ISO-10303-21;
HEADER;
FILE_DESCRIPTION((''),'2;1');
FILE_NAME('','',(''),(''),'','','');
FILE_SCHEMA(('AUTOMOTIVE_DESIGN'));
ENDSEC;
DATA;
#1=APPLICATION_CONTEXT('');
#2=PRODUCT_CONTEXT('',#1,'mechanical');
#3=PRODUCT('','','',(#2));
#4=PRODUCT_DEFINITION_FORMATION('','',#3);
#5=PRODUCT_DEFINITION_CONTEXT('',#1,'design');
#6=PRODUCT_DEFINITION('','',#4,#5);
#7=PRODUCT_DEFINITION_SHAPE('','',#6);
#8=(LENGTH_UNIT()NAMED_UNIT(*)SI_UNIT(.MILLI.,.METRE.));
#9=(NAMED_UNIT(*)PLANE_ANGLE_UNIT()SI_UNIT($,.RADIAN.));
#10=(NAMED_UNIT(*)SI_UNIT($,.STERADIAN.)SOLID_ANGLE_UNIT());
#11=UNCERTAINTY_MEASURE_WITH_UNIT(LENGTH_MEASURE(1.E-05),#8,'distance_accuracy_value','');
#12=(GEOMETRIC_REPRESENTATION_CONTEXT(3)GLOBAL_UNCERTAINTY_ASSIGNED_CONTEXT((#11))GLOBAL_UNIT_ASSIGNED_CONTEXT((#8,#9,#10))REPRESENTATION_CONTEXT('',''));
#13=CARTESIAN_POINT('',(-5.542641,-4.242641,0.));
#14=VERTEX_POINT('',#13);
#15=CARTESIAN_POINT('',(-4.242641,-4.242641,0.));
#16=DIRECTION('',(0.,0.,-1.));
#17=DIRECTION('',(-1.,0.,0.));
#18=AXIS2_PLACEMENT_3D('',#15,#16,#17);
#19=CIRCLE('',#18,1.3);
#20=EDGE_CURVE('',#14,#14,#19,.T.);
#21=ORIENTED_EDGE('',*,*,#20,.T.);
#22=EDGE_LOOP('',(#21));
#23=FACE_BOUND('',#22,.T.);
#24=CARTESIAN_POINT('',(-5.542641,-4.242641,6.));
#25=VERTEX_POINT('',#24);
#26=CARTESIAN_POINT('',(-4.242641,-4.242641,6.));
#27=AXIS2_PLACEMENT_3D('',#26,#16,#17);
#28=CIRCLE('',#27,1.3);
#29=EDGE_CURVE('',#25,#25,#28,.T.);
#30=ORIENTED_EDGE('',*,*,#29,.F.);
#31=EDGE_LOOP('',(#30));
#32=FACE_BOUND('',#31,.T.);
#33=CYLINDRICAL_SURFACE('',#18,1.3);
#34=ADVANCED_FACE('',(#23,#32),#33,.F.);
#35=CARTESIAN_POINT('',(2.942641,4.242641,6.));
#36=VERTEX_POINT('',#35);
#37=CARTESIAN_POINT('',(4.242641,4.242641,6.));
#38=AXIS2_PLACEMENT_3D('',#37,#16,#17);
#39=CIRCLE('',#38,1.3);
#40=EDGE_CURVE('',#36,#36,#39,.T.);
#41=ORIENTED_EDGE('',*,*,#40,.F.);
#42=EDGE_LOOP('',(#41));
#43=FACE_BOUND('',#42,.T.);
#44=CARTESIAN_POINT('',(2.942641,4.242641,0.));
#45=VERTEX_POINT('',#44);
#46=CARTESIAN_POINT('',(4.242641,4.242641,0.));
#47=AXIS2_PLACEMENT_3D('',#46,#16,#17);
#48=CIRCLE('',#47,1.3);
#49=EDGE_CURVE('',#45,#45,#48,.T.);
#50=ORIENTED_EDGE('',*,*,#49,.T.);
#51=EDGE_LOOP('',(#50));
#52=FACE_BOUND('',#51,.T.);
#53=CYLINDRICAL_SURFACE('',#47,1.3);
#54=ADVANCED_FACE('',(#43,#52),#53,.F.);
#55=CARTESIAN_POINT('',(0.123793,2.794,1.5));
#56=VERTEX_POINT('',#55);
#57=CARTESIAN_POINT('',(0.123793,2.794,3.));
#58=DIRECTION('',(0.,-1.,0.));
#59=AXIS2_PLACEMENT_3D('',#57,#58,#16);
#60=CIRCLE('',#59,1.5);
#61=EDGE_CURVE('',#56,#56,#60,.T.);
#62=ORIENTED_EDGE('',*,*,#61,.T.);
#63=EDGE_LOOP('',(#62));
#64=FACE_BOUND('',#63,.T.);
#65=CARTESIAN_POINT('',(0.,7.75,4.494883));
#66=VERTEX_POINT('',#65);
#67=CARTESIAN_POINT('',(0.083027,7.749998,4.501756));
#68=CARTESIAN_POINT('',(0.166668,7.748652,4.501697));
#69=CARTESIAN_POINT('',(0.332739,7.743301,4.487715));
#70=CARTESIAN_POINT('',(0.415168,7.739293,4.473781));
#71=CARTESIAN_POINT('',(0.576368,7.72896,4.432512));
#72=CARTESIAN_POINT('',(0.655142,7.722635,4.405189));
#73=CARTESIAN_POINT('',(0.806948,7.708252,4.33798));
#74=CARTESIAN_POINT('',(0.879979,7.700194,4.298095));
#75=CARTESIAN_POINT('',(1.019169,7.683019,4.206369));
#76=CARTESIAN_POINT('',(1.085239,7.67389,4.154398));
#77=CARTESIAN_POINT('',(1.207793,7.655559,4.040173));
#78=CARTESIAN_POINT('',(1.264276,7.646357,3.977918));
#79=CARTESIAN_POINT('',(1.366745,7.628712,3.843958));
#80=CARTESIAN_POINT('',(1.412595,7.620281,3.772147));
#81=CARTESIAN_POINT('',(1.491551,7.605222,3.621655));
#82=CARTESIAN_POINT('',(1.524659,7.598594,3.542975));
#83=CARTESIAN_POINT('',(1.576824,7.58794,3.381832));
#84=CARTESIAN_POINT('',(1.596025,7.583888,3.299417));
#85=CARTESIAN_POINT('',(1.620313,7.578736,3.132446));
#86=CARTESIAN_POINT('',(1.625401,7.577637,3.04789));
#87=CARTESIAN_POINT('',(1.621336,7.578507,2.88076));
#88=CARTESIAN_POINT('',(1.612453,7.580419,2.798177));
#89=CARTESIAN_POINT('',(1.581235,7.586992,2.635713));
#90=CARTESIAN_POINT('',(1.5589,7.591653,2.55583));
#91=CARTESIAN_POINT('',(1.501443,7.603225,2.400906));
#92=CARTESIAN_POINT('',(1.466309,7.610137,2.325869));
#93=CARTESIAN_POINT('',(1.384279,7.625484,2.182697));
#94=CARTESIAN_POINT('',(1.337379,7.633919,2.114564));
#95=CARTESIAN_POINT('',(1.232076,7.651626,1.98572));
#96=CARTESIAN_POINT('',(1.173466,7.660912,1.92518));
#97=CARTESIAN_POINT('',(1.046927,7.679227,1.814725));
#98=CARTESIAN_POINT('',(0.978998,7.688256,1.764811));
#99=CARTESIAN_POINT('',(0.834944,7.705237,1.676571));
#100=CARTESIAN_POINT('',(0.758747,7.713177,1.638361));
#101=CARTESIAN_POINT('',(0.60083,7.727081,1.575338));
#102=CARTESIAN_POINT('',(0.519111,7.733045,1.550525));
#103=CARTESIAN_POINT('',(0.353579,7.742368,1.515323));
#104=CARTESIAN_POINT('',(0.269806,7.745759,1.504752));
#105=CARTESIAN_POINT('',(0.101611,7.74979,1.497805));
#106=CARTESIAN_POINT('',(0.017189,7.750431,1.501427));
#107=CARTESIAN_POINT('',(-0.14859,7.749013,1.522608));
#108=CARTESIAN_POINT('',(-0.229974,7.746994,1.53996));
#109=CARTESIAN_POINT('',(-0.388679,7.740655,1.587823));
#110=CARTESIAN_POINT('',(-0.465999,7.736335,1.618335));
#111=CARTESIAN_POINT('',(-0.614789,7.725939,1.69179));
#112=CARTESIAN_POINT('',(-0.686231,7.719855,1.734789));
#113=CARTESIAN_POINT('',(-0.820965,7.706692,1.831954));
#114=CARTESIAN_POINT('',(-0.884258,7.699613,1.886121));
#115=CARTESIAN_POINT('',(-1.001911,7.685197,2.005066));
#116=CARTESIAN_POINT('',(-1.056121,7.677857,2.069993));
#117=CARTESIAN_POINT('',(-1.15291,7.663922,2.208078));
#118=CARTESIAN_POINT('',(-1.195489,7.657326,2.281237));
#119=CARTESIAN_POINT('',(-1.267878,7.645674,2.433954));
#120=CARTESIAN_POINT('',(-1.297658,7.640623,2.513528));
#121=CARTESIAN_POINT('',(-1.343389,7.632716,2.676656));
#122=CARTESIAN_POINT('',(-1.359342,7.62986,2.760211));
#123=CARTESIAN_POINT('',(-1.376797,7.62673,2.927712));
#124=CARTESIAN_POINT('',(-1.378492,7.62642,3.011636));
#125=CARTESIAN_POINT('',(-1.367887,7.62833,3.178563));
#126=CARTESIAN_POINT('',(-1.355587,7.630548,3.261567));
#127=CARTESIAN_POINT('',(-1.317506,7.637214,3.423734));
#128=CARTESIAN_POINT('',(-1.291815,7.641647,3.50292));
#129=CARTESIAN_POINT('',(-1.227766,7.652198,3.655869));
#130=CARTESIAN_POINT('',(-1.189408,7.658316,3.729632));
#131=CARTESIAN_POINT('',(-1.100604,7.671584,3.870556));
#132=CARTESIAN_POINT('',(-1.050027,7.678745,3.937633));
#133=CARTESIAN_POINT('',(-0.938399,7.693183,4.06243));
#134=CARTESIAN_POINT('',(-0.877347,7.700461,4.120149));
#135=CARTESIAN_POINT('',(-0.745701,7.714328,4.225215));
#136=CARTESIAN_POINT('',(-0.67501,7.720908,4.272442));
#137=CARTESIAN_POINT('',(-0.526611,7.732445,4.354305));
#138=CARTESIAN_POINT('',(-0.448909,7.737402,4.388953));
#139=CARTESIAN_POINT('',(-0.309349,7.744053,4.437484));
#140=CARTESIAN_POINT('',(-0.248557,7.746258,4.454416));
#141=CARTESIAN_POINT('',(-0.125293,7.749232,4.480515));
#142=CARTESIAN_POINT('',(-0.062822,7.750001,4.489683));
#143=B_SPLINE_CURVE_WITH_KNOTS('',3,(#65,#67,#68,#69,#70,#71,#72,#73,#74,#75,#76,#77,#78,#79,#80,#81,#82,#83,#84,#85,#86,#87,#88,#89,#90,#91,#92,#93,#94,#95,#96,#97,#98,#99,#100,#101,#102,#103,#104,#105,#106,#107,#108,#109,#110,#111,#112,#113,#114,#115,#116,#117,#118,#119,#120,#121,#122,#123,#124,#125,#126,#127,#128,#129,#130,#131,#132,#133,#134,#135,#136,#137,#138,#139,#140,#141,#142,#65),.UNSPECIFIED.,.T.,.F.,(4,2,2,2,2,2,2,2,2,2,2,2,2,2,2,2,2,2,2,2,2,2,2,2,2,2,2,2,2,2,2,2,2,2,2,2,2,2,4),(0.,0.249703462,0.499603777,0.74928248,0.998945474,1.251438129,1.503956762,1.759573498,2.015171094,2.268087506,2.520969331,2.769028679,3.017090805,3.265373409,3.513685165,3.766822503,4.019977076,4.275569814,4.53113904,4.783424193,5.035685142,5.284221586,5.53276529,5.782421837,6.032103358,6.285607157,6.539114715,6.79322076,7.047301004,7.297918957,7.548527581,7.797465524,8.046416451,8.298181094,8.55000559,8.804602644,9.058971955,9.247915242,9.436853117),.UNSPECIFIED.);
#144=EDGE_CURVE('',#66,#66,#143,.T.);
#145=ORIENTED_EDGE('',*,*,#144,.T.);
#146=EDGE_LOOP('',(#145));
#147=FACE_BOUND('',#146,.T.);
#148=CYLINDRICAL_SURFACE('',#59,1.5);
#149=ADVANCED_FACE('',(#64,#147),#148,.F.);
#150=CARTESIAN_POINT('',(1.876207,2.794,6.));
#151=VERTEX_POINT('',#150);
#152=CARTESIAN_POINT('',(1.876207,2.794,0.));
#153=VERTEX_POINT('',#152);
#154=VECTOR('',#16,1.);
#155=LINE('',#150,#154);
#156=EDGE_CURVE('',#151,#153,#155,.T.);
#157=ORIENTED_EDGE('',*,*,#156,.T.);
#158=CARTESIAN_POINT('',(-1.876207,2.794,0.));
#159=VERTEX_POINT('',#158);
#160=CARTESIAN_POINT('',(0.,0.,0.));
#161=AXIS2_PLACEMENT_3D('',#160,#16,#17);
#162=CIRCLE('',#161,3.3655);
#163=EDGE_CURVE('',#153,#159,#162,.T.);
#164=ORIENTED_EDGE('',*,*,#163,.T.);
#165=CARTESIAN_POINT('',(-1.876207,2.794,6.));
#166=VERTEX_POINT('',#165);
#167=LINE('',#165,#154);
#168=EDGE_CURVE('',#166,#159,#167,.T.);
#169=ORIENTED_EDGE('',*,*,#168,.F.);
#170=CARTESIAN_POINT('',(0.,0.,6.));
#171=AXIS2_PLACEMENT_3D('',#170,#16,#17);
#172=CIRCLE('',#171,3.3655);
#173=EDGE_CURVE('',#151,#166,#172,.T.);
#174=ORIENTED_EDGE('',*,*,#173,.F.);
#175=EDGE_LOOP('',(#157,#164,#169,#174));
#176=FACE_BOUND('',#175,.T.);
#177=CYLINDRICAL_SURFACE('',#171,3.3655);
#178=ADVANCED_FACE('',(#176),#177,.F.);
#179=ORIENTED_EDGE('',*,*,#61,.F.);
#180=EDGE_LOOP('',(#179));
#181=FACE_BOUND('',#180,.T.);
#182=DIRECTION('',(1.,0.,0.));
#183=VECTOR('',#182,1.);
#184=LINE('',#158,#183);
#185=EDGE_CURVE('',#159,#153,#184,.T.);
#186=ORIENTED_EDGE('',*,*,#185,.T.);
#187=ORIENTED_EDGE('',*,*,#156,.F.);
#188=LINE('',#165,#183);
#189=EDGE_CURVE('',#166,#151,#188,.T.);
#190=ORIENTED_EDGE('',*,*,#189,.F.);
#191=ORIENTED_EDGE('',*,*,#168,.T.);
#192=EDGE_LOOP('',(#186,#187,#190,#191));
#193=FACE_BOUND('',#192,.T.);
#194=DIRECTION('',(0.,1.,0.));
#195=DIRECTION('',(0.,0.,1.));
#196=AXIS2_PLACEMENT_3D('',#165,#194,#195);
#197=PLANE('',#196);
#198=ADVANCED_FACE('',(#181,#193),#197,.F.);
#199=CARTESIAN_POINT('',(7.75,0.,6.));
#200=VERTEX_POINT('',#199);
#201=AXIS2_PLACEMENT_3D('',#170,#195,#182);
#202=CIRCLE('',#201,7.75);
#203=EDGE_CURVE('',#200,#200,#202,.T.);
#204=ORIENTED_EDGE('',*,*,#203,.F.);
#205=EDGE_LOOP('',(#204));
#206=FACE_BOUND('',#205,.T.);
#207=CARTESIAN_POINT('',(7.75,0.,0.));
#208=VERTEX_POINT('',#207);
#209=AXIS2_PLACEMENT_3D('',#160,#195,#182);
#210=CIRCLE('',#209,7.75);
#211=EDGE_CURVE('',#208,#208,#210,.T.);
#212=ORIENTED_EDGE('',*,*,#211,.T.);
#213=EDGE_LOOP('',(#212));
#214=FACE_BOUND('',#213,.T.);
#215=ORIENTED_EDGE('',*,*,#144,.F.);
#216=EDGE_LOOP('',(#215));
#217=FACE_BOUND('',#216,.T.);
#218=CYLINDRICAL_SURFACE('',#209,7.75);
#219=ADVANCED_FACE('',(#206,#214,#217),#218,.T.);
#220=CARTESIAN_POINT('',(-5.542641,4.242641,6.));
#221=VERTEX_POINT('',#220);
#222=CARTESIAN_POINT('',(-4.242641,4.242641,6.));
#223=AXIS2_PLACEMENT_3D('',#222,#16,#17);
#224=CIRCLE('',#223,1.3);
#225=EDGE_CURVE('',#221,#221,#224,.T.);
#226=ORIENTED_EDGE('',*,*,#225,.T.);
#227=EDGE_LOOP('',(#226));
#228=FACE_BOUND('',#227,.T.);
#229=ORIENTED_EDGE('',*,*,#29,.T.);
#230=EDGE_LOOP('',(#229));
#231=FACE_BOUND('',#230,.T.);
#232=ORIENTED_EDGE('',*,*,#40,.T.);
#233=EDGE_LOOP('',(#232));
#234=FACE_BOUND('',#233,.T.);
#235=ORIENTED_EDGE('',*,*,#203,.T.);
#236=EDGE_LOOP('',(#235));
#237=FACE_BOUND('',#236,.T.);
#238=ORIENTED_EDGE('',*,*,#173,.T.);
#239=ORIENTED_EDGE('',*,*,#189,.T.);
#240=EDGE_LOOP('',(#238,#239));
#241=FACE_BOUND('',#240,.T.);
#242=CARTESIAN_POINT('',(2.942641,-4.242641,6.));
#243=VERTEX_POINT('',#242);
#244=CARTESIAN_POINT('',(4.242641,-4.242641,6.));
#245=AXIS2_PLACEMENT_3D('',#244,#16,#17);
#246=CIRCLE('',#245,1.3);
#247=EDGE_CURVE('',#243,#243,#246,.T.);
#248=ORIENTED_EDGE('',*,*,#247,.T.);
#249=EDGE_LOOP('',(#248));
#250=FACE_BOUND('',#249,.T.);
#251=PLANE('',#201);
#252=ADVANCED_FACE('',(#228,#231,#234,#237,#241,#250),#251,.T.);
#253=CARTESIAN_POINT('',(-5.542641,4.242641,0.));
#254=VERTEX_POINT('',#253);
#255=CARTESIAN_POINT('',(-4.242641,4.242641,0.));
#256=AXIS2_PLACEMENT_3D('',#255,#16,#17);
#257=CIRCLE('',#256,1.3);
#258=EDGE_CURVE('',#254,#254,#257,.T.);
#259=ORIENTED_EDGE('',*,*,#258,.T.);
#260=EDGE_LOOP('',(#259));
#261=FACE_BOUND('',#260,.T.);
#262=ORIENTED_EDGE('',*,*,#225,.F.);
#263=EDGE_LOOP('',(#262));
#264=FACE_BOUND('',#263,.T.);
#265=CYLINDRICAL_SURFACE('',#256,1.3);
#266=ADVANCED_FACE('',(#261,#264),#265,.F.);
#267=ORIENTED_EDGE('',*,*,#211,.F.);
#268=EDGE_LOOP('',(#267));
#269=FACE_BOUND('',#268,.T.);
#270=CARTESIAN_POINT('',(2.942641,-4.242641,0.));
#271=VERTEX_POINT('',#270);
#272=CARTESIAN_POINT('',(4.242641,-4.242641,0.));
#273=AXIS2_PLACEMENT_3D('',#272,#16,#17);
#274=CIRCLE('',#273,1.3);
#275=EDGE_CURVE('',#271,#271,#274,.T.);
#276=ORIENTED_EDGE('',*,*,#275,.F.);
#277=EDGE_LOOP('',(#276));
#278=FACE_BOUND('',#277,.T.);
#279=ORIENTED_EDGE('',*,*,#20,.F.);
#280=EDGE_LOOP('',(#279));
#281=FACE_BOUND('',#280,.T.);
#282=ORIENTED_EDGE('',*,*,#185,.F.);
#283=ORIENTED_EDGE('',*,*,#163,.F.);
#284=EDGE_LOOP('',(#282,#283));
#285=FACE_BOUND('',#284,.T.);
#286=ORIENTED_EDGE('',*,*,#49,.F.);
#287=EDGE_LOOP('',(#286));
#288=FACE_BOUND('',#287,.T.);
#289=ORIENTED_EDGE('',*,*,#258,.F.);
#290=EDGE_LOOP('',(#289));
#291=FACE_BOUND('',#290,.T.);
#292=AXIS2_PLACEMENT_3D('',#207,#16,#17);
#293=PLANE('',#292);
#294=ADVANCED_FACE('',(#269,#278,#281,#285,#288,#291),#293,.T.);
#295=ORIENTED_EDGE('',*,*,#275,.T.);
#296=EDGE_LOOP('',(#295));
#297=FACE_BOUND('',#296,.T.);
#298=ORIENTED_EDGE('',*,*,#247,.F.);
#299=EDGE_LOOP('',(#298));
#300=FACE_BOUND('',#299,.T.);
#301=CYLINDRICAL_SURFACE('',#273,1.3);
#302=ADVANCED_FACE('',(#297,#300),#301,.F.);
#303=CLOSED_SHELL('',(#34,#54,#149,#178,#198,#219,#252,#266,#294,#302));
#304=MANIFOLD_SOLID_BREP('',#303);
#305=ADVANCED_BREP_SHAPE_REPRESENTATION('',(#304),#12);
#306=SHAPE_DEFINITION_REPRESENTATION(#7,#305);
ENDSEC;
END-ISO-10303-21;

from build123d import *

# Parameters (mm, degrees)
SKETCH1_W                    = 7.75
SKETCH1_H                    = 6
CUT_EXTRUDE1_DEPTH           = 13.494999
F_3_0_3_DIAMETER_HOLE1_D     = 3
F_3_0_3_DIAMETER_HOLE1_DEPTH = 4.956
F_2_6_2_6_DIAMETER_HOLE1_D   = 2.6


with BuildPart() as part:
    # Sketch1 → Revolve1 (revolve)
    with BuildSketch(Plane(origin=(0, 0, 0), x_dir=(1, 0, 0), z_dir=(0, 1, 0))):
        with Locations((3.875, -3)):
            Rectangle(SKETCH1_W, SKETCH1_H)
    revolve(axis=Axis((0, 0, 0), (0, 0, 1)))

    # Sketch2 → Cut-Extrude1 (cut, through all)
    with BuildSketch(Plane(origin=(0, 0, 0), x_dir=(-1, 0, 0), z_dir=(0, 0, -1))):
        with BuildLine():
            Line((1.876207411, 2.794), (-1.876207411, 2.794))
            ThreePointArc((-1.876207411, 2.794), (0, -3.3655), (1.876207411, 2.794))
        make_face()
    extrude(amount=-CUT_EXTRUDE1_DEPTH, mode=Mode.SUBTRACT)

    # Ø3.0 (3) Diameter Hole1
    with Locations(Plane(origin=(0, 2.794, 0), x_dir=(-1, 0, 0), z_dir=(0, -1, 0))):
        with Locations((-0.123792589, -3)):
            Hole(F_3_0_3_DIAMETER_HOLE1_D / 2, depth=F_3_0_3_DIAMETER_HOLE1_DEPTH)

    # Ø2.6 (2.6) Diameter Hole1 (through all)
    with Locations(Plane(origin=(0, 0, 0), x_dir=(-1, 0, 0), z_dir=(0, 0, -1))):
        with Locations((-4.242640687, -4.242640687), (4.242640687, 4.242640687), (-4.242640687, 4.242640687), (4.242640687, -4.242640687)):
            Hole(F_2_6_2_6_DIAMETER_HOLE1_D / 2)


solid = part.part
